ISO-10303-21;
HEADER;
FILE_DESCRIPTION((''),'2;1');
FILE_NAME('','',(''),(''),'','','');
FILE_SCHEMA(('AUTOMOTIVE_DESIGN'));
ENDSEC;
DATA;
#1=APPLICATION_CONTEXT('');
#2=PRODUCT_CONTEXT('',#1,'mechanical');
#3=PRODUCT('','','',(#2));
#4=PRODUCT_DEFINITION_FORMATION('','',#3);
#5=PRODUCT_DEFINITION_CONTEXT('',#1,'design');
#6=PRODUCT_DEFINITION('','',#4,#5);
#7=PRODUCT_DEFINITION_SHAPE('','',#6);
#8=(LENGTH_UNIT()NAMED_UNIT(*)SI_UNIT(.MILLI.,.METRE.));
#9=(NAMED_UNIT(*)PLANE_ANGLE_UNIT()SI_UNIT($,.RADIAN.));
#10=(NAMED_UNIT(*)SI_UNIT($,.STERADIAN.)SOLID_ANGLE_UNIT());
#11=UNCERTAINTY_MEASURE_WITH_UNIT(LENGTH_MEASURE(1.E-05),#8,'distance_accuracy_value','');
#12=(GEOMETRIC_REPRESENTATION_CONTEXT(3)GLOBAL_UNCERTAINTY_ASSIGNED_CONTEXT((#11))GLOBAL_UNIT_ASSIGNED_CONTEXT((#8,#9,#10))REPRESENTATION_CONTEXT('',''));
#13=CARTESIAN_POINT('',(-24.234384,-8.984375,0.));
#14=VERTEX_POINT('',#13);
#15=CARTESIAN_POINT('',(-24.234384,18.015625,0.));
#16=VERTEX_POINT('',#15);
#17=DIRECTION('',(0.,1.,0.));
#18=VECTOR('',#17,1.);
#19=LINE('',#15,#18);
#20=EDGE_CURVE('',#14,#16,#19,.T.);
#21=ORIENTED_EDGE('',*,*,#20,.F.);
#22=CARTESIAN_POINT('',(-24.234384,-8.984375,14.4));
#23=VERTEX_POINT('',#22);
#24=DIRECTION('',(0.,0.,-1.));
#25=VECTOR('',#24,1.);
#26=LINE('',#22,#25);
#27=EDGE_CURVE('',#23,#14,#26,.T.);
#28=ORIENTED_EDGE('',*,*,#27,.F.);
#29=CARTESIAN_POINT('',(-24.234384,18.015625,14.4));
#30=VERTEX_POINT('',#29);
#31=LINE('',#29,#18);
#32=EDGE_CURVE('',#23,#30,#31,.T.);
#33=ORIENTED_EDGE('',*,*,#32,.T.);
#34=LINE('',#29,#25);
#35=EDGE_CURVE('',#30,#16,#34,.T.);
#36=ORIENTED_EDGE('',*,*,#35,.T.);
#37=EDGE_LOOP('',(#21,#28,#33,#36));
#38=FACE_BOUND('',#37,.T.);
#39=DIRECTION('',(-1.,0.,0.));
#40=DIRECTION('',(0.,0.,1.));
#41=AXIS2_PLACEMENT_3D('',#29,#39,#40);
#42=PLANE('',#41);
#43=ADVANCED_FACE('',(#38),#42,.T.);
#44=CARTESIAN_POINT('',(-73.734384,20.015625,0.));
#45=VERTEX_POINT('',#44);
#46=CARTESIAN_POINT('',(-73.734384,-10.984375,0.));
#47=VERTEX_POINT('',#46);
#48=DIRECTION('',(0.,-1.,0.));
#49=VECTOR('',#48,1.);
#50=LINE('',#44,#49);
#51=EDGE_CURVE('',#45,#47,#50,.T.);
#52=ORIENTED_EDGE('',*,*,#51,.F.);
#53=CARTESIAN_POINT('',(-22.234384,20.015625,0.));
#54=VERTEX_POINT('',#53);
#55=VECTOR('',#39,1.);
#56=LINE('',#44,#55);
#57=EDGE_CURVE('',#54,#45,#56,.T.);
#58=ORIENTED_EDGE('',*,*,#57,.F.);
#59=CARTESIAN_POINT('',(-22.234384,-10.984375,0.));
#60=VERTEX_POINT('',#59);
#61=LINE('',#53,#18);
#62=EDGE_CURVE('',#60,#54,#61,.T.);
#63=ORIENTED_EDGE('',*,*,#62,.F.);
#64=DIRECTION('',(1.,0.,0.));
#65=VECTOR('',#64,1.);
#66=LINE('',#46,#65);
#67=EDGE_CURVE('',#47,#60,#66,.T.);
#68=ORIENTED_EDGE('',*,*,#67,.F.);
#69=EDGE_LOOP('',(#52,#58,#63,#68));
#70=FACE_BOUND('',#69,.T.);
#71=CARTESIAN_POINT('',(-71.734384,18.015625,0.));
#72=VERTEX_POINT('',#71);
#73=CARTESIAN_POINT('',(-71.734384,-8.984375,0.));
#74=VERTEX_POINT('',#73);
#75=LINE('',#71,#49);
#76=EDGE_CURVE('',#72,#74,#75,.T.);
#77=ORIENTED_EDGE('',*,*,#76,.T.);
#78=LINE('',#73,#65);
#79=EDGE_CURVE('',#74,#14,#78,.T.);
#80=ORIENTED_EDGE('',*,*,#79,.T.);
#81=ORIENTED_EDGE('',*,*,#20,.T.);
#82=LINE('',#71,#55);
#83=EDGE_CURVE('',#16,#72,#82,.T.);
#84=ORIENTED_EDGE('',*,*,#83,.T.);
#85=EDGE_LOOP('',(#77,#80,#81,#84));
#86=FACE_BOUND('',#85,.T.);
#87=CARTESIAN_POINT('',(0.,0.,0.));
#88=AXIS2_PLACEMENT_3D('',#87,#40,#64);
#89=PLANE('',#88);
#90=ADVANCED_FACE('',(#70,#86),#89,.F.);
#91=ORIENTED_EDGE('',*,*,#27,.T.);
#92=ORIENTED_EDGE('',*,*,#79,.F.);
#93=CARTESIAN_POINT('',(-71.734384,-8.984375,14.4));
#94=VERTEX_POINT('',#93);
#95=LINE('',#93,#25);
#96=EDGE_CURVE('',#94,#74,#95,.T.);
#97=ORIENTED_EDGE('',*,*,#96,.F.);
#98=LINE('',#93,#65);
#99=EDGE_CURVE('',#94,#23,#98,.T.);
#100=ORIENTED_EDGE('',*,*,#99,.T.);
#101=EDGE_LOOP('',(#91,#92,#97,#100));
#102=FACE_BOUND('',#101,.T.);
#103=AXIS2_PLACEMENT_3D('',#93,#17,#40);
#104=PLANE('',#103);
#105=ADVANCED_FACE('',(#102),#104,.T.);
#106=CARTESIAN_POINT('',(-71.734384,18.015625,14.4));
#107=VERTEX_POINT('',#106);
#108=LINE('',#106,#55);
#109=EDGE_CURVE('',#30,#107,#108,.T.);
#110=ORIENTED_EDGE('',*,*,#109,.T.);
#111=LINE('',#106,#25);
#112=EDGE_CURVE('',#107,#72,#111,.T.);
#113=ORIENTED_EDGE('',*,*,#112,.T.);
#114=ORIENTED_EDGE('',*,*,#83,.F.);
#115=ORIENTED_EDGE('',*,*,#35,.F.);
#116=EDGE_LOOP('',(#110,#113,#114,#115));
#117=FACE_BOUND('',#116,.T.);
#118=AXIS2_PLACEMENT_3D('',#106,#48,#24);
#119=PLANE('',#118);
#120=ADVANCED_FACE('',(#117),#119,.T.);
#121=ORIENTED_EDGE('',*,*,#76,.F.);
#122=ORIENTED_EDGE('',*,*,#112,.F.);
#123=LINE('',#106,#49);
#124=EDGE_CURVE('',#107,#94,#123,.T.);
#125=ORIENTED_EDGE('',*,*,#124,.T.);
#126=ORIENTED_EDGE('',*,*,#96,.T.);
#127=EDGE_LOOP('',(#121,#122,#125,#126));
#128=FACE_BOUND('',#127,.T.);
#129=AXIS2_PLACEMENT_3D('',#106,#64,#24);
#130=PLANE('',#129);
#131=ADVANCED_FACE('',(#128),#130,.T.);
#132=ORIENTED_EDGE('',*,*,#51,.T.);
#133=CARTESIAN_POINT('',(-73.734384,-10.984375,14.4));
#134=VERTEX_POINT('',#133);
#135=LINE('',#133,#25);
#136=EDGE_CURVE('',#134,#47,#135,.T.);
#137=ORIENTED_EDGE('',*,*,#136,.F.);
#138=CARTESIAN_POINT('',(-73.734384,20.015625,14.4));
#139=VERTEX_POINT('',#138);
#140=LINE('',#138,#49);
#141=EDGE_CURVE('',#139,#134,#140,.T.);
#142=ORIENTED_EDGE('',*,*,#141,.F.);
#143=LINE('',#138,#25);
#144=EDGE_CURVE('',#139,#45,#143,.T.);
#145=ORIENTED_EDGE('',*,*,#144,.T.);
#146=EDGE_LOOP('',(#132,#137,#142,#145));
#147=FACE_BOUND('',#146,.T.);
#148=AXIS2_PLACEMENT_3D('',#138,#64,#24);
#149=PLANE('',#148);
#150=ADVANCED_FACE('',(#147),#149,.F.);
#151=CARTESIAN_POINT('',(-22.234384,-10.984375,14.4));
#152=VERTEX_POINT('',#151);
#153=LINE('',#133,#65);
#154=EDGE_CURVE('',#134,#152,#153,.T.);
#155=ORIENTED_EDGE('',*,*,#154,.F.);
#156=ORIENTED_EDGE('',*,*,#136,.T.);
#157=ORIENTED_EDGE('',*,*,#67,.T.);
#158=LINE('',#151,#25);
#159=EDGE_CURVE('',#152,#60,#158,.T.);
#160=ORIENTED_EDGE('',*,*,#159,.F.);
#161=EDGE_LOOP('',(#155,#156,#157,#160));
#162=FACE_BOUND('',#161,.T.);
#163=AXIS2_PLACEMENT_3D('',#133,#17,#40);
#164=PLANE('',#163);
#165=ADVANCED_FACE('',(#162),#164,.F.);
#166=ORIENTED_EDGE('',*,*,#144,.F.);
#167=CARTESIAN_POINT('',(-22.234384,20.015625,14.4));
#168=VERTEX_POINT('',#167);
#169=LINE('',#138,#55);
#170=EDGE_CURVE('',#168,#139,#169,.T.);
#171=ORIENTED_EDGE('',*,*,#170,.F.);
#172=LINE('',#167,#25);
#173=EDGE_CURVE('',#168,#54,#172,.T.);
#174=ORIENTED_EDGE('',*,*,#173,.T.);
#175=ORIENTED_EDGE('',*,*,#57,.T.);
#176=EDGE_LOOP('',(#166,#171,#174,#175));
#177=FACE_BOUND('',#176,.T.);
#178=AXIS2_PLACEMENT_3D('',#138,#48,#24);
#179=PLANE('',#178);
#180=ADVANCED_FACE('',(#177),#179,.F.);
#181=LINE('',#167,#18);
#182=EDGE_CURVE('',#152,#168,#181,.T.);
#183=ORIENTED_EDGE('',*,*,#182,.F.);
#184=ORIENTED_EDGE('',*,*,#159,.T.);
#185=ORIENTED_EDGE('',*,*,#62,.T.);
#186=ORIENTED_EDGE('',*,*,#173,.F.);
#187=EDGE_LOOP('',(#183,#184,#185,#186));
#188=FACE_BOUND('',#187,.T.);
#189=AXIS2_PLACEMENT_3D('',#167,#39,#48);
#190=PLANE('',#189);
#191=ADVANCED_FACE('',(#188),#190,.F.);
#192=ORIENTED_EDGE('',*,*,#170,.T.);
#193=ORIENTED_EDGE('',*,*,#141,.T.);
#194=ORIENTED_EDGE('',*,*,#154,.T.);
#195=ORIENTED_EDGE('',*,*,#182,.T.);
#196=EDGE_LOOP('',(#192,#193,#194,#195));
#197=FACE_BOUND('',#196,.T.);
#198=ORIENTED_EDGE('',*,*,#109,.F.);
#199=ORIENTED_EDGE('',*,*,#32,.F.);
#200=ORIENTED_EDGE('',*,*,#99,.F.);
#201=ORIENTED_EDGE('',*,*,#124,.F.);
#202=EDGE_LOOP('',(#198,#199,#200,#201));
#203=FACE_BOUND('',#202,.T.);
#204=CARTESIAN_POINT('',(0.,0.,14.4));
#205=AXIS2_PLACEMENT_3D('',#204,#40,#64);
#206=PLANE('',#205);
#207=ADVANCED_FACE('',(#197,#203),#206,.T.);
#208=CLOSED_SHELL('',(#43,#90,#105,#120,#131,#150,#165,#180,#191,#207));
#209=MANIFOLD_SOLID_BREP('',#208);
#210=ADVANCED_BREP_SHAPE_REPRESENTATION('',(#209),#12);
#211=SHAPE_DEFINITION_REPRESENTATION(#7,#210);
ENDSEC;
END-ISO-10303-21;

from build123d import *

# Parameters (mm, degrees)
CROQUIS1_W              = 51.5
CROQUIS1_H              = 31
CROQUIS1_W_2            = 47.5
CROQUIS1_H_2            = 27
SALIENTE_EXTRUIR1_DEPTH = 14.4


with BuildPart() as part:
    # Croquis1 → Saliente-Extruir1 (new body)
    with BuildSketch(Plane.XY):
        with Locations((-47.984383695, 4.515625)):
            Rectangle(CROQUIS1_W, CROQUIS1_H)
        with Locations((-47.984383695, 4.515625)):
            Rectangle(CROQUIS1_W_2, CROQUIS1_H_2, mode=Mode.SUBTRACT)
    extrude(amount=SALIENTE_EXTRUIR1_DEPTH)


solid = part.part
